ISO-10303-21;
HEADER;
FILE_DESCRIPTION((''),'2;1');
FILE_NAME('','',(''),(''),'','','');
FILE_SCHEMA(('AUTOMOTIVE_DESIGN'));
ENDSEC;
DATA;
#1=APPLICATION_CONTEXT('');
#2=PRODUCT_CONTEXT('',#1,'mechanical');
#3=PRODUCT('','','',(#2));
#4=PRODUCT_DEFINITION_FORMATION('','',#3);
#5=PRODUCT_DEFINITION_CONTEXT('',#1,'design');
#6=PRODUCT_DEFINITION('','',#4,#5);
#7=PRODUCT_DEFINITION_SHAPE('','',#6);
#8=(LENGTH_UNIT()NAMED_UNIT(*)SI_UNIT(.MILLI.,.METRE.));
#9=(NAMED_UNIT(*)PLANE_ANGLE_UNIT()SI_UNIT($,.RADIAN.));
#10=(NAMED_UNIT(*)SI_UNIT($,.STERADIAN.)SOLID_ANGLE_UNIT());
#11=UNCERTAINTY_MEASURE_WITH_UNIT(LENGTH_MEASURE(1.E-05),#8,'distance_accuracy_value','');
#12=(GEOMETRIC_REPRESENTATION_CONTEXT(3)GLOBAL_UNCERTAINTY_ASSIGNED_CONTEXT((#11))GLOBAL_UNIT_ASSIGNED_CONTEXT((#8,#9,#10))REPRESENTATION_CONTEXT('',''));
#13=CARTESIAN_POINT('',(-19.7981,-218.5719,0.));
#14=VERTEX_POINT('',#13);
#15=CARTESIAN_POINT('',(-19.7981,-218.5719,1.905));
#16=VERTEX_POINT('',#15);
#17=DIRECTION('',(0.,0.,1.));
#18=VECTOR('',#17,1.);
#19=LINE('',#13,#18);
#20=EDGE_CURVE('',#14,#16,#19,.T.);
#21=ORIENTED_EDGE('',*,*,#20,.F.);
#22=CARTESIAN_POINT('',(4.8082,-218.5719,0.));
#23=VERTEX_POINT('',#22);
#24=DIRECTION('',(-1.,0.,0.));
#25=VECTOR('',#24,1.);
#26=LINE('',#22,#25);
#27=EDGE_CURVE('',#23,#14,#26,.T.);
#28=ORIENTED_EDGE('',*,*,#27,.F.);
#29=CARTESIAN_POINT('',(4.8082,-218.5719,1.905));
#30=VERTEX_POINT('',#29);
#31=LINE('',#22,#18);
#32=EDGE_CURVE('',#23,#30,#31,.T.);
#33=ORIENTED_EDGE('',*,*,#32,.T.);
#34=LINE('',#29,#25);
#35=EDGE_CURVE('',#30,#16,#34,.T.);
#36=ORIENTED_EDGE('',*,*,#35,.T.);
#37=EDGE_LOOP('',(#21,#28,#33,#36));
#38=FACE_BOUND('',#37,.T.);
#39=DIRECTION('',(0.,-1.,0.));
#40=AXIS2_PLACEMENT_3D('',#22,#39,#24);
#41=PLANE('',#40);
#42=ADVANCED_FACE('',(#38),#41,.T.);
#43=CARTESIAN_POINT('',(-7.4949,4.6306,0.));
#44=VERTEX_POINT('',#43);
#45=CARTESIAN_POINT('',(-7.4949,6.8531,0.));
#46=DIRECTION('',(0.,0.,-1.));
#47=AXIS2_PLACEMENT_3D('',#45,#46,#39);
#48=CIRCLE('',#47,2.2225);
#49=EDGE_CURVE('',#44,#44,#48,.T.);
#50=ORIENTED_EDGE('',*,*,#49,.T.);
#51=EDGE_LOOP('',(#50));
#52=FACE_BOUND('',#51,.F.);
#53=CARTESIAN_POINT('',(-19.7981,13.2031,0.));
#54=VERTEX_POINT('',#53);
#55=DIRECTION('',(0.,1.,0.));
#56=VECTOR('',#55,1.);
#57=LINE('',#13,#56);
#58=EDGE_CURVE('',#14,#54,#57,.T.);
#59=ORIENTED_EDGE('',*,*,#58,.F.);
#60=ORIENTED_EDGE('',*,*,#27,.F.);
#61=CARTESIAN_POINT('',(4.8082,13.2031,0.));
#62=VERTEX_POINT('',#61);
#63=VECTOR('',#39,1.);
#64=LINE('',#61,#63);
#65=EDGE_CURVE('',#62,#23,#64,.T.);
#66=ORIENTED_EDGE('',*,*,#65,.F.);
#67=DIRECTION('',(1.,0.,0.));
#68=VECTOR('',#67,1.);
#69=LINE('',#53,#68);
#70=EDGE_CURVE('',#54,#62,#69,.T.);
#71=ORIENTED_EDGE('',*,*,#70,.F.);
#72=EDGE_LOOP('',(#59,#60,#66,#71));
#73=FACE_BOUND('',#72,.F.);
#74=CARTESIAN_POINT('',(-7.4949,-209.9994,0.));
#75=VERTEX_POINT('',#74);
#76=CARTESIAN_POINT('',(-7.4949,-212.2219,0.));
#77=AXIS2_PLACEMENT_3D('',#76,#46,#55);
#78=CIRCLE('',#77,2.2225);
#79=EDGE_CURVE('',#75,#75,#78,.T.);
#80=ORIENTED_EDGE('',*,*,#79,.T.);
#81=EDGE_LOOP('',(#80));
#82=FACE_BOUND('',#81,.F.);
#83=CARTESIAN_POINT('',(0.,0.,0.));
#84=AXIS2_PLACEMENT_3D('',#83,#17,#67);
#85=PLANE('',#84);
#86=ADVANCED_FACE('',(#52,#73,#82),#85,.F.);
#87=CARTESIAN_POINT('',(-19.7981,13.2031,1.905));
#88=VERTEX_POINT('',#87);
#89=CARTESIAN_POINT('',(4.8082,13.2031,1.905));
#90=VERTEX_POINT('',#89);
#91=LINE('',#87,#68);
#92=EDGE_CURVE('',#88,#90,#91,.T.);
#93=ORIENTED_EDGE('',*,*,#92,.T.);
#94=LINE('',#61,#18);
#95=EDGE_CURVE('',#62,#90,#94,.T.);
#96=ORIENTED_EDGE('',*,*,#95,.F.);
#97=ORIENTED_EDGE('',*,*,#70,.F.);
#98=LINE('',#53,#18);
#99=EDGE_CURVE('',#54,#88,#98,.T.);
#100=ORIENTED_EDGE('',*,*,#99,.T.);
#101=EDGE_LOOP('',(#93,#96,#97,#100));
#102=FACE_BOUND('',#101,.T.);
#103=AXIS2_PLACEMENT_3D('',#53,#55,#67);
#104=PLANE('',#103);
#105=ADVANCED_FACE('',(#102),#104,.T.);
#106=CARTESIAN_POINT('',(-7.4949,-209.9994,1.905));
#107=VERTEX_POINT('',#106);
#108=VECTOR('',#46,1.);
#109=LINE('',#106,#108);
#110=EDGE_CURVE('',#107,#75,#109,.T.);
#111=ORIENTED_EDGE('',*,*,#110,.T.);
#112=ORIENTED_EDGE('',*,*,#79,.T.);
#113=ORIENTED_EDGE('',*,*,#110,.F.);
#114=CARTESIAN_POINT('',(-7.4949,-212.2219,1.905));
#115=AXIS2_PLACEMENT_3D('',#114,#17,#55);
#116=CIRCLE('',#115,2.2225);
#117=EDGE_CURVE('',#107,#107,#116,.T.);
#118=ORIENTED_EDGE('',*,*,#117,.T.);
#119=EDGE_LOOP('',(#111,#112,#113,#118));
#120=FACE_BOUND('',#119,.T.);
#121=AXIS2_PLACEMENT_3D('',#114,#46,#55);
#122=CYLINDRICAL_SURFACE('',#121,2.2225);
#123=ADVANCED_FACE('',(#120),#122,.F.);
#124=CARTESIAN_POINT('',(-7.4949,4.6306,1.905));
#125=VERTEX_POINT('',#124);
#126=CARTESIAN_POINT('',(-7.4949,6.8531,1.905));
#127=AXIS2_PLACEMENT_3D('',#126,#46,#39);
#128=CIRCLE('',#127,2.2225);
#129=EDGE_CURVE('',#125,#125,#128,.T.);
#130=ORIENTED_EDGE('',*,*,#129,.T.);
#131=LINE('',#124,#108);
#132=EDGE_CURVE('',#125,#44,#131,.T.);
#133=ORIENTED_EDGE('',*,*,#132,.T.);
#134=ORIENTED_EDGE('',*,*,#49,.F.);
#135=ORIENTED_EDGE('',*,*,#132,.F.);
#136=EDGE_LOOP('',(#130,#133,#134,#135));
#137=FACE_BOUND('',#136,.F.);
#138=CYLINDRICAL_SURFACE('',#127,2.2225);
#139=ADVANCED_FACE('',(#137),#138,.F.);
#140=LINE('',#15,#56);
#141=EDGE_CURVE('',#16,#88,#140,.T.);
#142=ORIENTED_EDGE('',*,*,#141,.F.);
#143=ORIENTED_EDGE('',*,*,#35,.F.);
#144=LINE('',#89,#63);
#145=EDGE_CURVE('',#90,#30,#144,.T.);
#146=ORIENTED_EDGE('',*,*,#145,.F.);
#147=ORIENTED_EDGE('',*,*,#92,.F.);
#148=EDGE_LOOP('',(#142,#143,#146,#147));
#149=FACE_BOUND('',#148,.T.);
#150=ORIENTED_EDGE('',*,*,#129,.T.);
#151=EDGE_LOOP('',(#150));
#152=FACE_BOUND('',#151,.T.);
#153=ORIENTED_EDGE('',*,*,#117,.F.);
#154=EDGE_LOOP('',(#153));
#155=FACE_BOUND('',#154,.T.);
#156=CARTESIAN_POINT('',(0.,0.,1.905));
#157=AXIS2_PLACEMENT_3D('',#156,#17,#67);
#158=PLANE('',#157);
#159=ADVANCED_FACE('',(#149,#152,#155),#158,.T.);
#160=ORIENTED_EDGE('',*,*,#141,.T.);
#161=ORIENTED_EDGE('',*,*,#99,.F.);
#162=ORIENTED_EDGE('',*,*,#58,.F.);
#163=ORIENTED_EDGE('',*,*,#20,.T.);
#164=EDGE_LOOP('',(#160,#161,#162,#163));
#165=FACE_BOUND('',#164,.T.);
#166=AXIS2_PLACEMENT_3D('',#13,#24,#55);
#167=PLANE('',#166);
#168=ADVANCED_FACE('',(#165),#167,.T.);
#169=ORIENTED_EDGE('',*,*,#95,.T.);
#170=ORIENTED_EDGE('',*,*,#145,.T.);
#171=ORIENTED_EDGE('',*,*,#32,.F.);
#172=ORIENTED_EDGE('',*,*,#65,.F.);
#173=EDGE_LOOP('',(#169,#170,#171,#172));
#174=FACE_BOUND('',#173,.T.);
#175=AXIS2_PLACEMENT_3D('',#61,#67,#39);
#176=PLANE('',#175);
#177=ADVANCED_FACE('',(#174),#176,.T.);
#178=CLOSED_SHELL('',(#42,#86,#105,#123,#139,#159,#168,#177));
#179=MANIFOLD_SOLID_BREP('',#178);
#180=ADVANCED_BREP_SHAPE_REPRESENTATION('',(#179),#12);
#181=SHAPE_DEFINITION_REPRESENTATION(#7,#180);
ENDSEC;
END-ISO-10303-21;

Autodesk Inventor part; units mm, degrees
ref_plane "YZ Plane" through (0, 0, 0) normal (1, 0, 0) x (0, 1, 0)
ref_plane "XZ Plane" through (0, 0, 0) normal (0, 1, 0) x (-1, 0, 0)
sketch "Sketch1" plane through (0, 0, 0) normal (0, 0, 1) x (1, 0, 0)
  line L0 (-19.7981, 13.2031) -> (4.8082, 13.2031)
  line L1 (4.8082, 13.2031) -> (4.8082, -218.5719)
  line L2 (4.8082, -218.5719) -> (-19.7981, -218.5719)
  line L3 (-19.7981, -218.5719) -> (-19.7981, 13.2031)
  point P0 (0, 0)
  dimension "d0" = 231.775
  dimension "d1" = 24.6062
extrude "Extrusion1" add sketch "Sketch1" along normal blind 1.905
sketch "Sketch2" plane through (0, 0, 1.905) normal (0, 0, 1) x (1, 0, 0)
  line L0 (4.8082, 13.2031) -> (-19.7981, 13.2031) projected
  line L1 (-7.4949, 13.2031) -> (-7.4949, -18.5655)
  line L2 (-19.7981, 13.2031) -> (-19.7981, -218.5719) projected
  line L3 (4.8082, -218.5719) -> (4.8082, 13.2031) projected
  line L4 (-19.7981, 6.8531) -> (4.8082, 6.8531)
  point P0 (0, 0)
  point P1 (-7.4949, 6.8531)
  point P2 (-7.4949, 6.8531)
  point P3 (-7.4949, 6.8531)
  dimension "d4" = 12.3031
  dimension "d6" = 6.35
hole "Hole1" at (-7.4949, 6.8531, 1.905) direction (0, 0, -1) diameter 4.445 end through all
sketch "Sketch3" plane through (0, 0, 1.905) normal (0, 0, 1) x (1, 0, 0)
  line L0 (4.8082, 13.2031) -> (4.8082, -218.5719) projected
  line L1 (4.8082, -102.6844) -> (-19.7981, -102.6844)
  line L2 (-19.7981, -218.5719) -> (-19.7981, 13.2031) projected
  line L3 (4.8082, 13.2031) -> (-19.7981, 13.2031) projected
  line L4 (4.8082, -218.5719) -> (4.8082, 13.2031) projected
  point P0 (0, 0)
  dimension "d14" = 231.775
  dimension "d15" = 115.8875
ref_plane "Work Plane1" through (-19.7981, -102.6844, 0) normal (0, 1, 0) x (1, 0, 0)
mirror "Mirror1" about plane through (-19.7981, -102.6844, 0) normal (0, 1, 0) of "Hole1"
equation "\"d15\" = 0.5 * d14"
properties part number "Rotation Resistor-01"
